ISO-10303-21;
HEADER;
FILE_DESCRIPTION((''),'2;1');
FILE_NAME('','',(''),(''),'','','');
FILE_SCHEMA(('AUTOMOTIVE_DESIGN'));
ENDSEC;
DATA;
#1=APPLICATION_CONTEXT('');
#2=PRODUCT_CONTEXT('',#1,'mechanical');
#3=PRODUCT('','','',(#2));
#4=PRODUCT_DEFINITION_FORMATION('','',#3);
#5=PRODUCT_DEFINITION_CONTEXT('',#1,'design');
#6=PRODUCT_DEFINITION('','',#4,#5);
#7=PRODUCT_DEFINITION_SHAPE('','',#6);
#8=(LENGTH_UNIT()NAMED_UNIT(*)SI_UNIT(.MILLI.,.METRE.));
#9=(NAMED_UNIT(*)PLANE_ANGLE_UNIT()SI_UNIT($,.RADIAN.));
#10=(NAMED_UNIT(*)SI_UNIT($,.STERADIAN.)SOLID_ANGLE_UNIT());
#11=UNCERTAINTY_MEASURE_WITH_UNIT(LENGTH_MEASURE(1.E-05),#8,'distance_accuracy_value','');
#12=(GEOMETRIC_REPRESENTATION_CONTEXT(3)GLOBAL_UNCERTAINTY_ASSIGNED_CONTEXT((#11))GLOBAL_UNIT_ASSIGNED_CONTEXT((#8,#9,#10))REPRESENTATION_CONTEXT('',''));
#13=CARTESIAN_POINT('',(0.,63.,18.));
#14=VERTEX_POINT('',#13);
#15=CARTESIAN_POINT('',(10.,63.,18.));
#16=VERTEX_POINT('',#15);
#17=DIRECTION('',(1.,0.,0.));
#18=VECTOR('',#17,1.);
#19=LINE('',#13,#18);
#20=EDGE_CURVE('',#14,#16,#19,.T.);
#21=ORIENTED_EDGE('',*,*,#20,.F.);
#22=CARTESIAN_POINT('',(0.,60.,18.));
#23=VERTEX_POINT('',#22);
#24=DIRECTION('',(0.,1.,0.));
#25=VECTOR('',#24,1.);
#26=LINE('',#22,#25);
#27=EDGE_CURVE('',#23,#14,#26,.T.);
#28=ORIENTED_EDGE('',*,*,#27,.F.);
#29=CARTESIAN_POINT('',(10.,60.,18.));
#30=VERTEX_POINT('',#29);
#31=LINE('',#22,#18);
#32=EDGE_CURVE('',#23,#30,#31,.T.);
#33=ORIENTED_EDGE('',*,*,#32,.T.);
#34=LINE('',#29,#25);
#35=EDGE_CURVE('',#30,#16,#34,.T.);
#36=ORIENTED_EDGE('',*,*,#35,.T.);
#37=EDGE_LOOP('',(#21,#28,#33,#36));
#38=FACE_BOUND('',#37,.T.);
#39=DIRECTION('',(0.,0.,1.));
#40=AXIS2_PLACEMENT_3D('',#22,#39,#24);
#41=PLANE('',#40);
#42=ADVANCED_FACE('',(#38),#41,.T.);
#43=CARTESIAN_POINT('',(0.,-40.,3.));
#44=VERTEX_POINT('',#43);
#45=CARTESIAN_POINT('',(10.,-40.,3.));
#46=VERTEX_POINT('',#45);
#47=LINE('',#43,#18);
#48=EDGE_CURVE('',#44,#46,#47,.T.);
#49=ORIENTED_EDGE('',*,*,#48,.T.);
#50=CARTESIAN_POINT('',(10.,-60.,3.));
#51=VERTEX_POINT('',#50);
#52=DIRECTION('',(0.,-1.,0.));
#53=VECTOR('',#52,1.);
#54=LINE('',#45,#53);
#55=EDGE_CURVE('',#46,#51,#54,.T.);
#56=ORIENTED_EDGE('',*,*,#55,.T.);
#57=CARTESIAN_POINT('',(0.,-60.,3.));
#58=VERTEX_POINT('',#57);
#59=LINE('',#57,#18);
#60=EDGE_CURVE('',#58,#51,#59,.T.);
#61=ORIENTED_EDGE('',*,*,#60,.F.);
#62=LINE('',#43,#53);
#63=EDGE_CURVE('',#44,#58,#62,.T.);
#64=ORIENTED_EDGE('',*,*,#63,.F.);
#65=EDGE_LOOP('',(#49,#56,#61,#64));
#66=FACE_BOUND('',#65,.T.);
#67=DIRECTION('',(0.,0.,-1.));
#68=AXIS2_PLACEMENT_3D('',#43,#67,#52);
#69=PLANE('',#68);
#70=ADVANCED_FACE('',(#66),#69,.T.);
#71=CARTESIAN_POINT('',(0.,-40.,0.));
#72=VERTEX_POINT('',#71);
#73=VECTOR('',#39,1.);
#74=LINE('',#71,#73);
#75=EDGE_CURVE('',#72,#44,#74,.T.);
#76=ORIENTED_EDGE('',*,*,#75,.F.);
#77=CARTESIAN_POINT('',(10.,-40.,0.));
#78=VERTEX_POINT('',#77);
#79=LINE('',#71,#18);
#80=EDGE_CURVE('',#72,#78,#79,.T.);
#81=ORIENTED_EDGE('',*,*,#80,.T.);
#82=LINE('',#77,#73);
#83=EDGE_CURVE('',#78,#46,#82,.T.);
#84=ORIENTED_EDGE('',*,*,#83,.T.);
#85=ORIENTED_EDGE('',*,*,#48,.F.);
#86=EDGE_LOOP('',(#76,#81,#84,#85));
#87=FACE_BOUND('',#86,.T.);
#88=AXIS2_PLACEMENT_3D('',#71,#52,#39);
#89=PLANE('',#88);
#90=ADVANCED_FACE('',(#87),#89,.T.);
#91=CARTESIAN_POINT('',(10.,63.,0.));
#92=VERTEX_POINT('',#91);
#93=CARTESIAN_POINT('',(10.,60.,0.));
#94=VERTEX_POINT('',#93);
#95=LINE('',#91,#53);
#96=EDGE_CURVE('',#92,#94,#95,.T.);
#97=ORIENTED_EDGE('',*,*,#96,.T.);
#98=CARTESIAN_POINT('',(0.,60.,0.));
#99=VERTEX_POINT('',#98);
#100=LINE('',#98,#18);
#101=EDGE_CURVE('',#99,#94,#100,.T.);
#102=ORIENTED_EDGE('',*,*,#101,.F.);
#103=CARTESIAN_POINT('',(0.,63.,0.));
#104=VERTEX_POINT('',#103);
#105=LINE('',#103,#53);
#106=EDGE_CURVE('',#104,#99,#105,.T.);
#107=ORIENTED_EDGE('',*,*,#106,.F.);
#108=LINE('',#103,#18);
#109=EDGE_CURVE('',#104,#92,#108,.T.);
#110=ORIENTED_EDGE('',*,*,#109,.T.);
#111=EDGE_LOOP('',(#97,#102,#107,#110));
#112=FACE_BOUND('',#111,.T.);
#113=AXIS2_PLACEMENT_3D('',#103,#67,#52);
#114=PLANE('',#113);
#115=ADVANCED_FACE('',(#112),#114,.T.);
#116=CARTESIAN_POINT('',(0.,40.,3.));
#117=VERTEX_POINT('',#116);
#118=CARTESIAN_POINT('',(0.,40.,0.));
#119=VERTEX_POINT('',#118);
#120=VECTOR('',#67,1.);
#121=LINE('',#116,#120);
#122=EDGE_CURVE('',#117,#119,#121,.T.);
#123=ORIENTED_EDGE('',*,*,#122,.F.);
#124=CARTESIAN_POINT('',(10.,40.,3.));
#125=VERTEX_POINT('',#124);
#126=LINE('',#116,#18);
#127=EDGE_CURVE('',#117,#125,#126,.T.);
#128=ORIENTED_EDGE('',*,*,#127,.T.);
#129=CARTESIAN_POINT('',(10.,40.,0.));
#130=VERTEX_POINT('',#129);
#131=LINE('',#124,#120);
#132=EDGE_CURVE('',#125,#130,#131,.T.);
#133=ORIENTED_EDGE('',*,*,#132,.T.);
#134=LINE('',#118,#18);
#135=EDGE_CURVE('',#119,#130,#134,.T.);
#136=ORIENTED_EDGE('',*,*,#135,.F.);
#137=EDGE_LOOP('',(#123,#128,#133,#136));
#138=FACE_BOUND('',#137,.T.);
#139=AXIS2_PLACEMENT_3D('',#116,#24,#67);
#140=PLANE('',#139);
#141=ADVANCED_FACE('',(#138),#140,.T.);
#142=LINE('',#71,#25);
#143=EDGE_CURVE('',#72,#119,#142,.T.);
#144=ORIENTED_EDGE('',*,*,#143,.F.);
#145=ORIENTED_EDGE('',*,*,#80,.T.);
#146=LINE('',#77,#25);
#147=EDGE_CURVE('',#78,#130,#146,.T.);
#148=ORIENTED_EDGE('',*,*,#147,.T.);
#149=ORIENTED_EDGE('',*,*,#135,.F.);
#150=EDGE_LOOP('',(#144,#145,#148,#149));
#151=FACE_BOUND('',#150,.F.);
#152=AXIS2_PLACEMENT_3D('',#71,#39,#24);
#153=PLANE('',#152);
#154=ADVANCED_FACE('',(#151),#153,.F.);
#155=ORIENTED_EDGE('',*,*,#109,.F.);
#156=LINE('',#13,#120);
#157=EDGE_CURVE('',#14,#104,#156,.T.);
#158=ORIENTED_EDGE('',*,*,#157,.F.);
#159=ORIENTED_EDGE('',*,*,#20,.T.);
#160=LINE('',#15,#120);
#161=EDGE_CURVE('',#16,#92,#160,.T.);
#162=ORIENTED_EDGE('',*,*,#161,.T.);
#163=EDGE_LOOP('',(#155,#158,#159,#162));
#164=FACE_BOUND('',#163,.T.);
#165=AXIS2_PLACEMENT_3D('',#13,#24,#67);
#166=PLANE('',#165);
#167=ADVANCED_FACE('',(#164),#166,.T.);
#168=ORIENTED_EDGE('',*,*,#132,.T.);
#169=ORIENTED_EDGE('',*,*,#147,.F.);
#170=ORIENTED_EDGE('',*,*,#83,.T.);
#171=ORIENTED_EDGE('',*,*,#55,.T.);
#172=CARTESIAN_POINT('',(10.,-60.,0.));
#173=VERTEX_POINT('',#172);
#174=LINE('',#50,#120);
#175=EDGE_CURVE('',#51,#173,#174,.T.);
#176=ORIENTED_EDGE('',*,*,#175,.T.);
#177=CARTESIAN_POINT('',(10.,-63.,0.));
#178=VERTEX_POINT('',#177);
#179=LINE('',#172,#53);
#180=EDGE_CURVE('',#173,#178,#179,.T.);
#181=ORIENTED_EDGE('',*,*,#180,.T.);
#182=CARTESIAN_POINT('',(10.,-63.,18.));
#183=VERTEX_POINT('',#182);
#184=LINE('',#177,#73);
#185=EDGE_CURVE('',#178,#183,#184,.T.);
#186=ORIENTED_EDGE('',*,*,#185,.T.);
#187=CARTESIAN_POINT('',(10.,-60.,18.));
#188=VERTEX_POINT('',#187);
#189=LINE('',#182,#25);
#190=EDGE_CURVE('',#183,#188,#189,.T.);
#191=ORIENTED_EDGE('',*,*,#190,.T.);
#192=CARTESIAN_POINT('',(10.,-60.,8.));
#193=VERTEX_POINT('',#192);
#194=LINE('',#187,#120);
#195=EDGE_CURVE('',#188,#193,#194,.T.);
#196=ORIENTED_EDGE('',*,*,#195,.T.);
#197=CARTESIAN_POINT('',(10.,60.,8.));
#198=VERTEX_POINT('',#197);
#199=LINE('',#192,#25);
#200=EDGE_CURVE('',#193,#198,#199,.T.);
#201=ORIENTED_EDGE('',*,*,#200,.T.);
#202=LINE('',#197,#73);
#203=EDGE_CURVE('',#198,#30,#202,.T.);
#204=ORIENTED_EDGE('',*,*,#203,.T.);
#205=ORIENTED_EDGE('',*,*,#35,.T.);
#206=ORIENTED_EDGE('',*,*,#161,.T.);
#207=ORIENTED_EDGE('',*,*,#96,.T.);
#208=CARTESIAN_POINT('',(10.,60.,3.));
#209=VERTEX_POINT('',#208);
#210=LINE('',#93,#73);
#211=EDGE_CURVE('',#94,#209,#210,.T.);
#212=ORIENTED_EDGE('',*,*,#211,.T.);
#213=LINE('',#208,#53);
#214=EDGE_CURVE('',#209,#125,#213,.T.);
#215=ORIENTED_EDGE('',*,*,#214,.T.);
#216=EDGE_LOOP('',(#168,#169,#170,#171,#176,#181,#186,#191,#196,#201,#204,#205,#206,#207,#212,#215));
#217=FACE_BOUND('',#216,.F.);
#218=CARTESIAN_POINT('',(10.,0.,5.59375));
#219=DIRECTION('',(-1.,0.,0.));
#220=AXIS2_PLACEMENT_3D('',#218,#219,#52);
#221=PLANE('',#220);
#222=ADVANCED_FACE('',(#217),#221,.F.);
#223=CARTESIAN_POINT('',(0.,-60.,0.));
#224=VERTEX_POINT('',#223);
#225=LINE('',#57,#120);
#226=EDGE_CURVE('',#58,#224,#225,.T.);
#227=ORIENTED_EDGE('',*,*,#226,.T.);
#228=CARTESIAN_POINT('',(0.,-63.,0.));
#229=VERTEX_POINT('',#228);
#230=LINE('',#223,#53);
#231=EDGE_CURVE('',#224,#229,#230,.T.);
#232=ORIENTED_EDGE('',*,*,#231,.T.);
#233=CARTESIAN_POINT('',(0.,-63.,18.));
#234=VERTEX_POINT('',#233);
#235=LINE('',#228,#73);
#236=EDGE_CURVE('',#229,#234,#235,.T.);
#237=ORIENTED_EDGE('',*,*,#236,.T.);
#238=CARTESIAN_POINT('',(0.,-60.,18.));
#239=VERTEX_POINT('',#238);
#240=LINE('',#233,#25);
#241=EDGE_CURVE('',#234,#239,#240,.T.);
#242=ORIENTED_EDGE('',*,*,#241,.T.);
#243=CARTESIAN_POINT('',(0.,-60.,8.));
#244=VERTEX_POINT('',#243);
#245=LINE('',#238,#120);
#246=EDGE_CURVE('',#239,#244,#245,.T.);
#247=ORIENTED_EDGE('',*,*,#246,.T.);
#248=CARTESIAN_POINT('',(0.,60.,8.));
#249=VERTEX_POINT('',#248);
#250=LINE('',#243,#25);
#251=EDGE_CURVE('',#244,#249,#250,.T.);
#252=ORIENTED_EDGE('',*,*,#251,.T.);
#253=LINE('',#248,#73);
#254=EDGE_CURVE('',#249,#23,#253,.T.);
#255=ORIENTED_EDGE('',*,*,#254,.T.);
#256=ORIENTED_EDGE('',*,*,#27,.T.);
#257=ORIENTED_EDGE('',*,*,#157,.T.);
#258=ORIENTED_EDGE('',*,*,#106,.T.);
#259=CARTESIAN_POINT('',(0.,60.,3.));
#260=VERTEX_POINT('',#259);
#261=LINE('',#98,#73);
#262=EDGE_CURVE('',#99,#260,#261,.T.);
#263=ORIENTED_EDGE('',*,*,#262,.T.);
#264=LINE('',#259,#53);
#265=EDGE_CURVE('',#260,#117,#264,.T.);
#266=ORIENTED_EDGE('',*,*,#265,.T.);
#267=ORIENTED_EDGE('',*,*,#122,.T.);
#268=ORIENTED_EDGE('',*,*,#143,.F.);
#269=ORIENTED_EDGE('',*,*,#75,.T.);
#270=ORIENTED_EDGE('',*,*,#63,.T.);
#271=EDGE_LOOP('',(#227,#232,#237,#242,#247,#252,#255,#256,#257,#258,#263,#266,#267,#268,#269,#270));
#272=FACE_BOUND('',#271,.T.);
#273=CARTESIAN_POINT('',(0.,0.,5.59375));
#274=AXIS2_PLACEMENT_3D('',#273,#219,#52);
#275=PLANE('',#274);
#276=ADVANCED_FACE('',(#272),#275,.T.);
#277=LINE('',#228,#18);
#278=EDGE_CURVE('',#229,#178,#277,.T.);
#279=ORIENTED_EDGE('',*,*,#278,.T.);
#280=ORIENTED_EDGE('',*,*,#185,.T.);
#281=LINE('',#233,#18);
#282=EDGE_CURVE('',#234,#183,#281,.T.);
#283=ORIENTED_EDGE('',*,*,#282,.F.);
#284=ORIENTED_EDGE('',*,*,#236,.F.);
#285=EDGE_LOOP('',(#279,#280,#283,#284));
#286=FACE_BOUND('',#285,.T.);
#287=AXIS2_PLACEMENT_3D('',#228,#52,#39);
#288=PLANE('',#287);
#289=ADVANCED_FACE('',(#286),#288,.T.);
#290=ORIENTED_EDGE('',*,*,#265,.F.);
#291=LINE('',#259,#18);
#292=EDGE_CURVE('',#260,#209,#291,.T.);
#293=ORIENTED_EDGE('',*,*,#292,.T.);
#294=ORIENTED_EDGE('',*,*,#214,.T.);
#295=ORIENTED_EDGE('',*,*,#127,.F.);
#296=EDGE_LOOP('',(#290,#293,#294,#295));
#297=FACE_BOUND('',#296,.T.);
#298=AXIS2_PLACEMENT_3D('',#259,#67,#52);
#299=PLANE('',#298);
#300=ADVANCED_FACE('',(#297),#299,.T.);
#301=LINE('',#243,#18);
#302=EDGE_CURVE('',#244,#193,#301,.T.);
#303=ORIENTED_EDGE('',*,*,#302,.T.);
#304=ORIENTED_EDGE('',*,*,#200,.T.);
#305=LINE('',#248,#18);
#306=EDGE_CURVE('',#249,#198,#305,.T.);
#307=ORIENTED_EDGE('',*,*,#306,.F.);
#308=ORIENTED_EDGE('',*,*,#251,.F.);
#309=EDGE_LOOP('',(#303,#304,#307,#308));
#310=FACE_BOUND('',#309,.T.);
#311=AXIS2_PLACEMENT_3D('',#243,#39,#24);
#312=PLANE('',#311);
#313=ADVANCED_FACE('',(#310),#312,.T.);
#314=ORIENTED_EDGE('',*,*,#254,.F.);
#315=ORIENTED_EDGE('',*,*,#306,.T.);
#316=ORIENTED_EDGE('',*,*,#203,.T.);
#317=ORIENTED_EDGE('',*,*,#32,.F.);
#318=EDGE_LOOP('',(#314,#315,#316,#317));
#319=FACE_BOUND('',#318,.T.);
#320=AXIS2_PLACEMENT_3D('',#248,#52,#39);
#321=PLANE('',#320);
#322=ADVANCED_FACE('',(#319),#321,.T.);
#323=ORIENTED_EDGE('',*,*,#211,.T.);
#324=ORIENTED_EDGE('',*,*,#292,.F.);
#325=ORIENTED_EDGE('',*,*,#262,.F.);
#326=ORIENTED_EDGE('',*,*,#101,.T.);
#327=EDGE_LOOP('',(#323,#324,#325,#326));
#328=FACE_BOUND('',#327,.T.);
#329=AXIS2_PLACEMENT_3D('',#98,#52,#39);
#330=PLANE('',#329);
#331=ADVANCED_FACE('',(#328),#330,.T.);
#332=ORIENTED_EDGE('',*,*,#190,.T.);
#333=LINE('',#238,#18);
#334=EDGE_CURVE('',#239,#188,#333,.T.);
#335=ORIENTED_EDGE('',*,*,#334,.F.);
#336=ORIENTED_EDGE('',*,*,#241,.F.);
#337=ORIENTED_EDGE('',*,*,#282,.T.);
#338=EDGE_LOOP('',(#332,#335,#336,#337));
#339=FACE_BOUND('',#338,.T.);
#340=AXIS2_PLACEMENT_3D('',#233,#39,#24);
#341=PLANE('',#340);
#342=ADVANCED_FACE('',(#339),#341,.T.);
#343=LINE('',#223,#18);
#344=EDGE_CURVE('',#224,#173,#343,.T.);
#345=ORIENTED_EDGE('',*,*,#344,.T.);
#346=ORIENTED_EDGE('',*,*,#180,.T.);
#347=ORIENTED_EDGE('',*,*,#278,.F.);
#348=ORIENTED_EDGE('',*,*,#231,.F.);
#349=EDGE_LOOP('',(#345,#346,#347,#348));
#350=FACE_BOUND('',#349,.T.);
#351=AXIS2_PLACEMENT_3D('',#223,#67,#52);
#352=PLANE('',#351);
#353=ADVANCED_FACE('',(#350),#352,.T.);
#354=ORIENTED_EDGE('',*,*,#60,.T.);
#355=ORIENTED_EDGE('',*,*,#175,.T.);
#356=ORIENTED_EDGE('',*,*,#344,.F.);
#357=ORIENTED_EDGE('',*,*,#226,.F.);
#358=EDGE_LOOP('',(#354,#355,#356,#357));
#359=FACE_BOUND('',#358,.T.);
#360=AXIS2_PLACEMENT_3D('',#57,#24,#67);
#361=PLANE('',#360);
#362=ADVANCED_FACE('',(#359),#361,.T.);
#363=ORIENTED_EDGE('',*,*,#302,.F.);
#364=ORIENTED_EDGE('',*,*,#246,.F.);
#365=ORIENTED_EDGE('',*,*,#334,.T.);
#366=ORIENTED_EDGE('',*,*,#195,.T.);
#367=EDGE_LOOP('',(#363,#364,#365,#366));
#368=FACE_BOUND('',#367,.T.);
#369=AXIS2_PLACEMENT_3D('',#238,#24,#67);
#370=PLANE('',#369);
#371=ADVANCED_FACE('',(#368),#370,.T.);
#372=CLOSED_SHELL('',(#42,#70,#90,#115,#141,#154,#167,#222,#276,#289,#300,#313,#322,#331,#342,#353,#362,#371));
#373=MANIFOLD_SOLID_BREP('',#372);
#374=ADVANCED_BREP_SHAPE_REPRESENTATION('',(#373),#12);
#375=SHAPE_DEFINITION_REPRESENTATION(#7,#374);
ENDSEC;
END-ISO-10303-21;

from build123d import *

# Parameters (mm, degrees)
PAD_DEPTH = 10


with BuildPart() as part:
    # Sketch → Pad (new body)
    with BuildSketch(Plane.YZ):
        Polygon((-63, 0), (-63, 18), (-60, 18), (-60, 8), (60, 8), (60, 18), (63, 18), (63, 0), (60, 0), (60, 3), (40, 3), (40, 0), (0, 0), (-40, 0), (-40, 3), (-60, 3), (-60, 0), align=None)
    extrude(amount=PAD_DEPTH)


solid = part.part
